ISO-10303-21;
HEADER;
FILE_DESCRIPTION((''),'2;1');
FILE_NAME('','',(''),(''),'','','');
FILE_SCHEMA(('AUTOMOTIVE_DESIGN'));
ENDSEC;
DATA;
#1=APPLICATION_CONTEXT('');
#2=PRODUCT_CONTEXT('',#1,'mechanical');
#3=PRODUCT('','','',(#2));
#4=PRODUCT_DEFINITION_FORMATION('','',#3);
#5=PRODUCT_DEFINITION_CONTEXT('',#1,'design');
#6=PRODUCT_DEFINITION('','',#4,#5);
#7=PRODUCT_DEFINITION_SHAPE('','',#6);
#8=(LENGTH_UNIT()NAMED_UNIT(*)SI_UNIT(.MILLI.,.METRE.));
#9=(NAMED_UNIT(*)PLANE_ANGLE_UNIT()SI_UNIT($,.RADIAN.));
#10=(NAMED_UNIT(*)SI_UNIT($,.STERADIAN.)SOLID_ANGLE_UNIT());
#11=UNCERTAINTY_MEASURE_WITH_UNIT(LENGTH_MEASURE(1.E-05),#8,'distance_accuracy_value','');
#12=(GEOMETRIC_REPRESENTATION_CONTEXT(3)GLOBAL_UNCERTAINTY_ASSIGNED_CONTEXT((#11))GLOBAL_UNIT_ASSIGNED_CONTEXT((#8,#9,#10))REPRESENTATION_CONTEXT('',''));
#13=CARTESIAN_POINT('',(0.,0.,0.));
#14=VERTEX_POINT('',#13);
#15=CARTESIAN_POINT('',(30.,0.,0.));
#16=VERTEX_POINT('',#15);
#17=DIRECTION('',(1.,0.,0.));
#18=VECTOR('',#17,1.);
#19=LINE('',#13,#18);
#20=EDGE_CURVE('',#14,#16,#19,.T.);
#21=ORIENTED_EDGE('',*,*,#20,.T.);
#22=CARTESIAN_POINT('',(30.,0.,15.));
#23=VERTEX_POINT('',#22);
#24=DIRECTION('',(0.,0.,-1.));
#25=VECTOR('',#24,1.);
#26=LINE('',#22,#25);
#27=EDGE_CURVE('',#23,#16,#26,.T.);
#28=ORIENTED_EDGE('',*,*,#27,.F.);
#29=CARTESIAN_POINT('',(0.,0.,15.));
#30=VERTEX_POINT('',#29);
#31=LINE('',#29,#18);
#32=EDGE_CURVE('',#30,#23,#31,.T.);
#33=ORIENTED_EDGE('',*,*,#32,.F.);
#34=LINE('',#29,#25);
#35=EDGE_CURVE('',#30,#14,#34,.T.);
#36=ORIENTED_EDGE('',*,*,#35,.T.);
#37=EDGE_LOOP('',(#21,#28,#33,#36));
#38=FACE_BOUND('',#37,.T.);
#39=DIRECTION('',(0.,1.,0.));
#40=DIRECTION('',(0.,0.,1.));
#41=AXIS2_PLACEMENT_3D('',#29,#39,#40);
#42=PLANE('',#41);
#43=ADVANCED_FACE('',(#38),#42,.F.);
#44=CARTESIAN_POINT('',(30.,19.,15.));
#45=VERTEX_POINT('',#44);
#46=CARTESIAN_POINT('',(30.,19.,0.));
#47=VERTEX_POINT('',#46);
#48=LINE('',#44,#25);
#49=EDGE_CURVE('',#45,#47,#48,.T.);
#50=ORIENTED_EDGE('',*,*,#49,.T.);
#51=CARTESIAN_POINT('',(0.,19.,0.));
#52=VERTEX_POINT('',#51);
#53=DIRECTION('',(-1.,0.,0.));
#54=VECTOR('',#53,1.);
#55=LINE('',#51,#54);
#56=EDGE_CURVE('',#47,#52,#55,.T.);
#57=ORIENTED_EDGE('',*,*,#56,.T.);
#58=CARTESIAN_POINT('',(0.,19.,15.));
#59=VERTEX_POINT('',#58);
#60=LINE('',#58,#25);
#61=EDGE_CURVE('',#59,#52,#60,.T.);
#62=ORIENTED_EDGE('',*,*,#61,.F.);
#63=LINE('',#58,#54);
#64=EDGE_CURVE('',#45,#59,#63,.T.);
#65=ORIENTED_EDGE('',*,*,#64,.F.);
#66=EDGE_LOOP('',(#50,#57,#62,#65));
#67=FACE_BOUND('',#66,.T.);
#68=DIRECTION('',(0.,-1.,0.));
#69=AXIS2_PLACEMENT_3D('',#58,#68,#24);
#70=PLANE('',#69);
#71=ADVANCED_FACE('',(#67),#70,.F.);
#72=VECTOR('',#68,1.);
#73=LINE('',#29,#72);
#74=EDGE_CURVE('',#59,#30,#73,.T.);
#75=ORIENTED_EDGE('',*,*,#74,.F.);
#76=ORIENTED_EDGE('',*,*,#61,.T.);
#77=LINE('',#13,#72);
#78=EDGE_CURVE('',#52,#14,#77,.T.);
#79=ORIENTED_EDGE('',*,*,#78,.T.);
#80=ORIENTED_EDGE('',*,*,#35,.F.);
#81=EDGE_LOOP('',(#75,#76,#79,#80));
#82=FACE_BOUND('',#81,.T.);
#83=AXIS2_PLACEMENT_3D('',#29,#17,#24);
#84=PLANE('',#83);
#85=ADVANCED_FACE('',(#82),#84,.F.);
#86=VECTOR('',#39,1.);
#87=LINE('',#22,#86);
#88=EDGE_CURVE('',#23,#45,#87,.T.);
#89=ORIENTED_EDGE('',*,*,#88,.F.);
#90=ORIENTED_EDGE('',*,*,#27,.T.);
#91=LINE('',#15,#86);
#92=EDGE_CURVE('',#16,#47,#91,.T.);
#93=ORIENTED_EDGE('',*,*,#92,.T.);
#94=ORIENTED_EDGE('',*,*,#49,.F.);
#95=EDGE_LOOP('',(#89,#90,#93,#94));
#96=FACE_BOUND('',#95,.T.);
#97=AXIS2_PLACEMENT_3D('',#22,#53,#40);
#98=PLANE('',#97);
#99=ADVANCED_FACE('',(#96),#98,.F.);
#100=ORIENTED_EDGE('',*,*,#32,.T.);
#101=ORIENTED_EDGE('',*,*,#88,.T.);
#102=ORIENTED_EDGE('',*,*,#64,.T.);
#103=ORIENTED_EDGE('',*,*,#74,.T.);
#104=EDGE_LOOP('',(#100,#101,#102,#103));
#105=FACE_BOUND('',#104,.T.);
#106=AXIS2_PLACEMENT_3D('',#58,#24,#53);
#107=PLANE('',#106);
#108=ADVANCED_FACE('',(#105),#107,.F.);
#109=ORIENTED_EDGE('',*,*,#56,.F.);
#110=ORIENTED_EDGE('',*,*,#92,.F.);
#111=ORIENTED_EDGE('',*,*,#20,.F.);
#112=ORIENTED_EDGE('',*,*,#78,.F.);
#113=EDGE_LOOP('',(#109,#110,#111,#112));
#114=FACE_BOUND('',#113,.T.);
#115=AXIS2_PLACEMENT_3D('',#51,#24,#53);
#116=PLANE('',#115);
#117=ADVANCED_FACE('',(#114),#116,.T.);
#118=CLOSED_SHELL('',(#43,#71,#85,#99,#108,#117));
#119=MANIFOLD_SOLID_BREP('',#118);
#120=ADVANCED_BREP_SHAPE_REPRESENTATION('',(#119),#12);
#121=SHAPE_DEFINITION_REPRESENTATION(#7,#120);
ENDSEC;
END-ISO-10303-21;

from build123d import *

# Parameters (mm, degrees)
ESQUISSE1_W          = 30
ESQUISSE1_H          = 19
BASE_EXTRUSION_DEPTH = 15


with BuildPart() as part:
    # Esquisse1 → Base-Extrusion (new body)
    with BuildSketch(Plane.XY):
        with Locations((15, 9.5)):
            Rectangle(ESQUISSE1_W, ESQUISSE1_H)
    extrude(amount=BASE_EXTRUSION_DEPTH)


solid = part.part
